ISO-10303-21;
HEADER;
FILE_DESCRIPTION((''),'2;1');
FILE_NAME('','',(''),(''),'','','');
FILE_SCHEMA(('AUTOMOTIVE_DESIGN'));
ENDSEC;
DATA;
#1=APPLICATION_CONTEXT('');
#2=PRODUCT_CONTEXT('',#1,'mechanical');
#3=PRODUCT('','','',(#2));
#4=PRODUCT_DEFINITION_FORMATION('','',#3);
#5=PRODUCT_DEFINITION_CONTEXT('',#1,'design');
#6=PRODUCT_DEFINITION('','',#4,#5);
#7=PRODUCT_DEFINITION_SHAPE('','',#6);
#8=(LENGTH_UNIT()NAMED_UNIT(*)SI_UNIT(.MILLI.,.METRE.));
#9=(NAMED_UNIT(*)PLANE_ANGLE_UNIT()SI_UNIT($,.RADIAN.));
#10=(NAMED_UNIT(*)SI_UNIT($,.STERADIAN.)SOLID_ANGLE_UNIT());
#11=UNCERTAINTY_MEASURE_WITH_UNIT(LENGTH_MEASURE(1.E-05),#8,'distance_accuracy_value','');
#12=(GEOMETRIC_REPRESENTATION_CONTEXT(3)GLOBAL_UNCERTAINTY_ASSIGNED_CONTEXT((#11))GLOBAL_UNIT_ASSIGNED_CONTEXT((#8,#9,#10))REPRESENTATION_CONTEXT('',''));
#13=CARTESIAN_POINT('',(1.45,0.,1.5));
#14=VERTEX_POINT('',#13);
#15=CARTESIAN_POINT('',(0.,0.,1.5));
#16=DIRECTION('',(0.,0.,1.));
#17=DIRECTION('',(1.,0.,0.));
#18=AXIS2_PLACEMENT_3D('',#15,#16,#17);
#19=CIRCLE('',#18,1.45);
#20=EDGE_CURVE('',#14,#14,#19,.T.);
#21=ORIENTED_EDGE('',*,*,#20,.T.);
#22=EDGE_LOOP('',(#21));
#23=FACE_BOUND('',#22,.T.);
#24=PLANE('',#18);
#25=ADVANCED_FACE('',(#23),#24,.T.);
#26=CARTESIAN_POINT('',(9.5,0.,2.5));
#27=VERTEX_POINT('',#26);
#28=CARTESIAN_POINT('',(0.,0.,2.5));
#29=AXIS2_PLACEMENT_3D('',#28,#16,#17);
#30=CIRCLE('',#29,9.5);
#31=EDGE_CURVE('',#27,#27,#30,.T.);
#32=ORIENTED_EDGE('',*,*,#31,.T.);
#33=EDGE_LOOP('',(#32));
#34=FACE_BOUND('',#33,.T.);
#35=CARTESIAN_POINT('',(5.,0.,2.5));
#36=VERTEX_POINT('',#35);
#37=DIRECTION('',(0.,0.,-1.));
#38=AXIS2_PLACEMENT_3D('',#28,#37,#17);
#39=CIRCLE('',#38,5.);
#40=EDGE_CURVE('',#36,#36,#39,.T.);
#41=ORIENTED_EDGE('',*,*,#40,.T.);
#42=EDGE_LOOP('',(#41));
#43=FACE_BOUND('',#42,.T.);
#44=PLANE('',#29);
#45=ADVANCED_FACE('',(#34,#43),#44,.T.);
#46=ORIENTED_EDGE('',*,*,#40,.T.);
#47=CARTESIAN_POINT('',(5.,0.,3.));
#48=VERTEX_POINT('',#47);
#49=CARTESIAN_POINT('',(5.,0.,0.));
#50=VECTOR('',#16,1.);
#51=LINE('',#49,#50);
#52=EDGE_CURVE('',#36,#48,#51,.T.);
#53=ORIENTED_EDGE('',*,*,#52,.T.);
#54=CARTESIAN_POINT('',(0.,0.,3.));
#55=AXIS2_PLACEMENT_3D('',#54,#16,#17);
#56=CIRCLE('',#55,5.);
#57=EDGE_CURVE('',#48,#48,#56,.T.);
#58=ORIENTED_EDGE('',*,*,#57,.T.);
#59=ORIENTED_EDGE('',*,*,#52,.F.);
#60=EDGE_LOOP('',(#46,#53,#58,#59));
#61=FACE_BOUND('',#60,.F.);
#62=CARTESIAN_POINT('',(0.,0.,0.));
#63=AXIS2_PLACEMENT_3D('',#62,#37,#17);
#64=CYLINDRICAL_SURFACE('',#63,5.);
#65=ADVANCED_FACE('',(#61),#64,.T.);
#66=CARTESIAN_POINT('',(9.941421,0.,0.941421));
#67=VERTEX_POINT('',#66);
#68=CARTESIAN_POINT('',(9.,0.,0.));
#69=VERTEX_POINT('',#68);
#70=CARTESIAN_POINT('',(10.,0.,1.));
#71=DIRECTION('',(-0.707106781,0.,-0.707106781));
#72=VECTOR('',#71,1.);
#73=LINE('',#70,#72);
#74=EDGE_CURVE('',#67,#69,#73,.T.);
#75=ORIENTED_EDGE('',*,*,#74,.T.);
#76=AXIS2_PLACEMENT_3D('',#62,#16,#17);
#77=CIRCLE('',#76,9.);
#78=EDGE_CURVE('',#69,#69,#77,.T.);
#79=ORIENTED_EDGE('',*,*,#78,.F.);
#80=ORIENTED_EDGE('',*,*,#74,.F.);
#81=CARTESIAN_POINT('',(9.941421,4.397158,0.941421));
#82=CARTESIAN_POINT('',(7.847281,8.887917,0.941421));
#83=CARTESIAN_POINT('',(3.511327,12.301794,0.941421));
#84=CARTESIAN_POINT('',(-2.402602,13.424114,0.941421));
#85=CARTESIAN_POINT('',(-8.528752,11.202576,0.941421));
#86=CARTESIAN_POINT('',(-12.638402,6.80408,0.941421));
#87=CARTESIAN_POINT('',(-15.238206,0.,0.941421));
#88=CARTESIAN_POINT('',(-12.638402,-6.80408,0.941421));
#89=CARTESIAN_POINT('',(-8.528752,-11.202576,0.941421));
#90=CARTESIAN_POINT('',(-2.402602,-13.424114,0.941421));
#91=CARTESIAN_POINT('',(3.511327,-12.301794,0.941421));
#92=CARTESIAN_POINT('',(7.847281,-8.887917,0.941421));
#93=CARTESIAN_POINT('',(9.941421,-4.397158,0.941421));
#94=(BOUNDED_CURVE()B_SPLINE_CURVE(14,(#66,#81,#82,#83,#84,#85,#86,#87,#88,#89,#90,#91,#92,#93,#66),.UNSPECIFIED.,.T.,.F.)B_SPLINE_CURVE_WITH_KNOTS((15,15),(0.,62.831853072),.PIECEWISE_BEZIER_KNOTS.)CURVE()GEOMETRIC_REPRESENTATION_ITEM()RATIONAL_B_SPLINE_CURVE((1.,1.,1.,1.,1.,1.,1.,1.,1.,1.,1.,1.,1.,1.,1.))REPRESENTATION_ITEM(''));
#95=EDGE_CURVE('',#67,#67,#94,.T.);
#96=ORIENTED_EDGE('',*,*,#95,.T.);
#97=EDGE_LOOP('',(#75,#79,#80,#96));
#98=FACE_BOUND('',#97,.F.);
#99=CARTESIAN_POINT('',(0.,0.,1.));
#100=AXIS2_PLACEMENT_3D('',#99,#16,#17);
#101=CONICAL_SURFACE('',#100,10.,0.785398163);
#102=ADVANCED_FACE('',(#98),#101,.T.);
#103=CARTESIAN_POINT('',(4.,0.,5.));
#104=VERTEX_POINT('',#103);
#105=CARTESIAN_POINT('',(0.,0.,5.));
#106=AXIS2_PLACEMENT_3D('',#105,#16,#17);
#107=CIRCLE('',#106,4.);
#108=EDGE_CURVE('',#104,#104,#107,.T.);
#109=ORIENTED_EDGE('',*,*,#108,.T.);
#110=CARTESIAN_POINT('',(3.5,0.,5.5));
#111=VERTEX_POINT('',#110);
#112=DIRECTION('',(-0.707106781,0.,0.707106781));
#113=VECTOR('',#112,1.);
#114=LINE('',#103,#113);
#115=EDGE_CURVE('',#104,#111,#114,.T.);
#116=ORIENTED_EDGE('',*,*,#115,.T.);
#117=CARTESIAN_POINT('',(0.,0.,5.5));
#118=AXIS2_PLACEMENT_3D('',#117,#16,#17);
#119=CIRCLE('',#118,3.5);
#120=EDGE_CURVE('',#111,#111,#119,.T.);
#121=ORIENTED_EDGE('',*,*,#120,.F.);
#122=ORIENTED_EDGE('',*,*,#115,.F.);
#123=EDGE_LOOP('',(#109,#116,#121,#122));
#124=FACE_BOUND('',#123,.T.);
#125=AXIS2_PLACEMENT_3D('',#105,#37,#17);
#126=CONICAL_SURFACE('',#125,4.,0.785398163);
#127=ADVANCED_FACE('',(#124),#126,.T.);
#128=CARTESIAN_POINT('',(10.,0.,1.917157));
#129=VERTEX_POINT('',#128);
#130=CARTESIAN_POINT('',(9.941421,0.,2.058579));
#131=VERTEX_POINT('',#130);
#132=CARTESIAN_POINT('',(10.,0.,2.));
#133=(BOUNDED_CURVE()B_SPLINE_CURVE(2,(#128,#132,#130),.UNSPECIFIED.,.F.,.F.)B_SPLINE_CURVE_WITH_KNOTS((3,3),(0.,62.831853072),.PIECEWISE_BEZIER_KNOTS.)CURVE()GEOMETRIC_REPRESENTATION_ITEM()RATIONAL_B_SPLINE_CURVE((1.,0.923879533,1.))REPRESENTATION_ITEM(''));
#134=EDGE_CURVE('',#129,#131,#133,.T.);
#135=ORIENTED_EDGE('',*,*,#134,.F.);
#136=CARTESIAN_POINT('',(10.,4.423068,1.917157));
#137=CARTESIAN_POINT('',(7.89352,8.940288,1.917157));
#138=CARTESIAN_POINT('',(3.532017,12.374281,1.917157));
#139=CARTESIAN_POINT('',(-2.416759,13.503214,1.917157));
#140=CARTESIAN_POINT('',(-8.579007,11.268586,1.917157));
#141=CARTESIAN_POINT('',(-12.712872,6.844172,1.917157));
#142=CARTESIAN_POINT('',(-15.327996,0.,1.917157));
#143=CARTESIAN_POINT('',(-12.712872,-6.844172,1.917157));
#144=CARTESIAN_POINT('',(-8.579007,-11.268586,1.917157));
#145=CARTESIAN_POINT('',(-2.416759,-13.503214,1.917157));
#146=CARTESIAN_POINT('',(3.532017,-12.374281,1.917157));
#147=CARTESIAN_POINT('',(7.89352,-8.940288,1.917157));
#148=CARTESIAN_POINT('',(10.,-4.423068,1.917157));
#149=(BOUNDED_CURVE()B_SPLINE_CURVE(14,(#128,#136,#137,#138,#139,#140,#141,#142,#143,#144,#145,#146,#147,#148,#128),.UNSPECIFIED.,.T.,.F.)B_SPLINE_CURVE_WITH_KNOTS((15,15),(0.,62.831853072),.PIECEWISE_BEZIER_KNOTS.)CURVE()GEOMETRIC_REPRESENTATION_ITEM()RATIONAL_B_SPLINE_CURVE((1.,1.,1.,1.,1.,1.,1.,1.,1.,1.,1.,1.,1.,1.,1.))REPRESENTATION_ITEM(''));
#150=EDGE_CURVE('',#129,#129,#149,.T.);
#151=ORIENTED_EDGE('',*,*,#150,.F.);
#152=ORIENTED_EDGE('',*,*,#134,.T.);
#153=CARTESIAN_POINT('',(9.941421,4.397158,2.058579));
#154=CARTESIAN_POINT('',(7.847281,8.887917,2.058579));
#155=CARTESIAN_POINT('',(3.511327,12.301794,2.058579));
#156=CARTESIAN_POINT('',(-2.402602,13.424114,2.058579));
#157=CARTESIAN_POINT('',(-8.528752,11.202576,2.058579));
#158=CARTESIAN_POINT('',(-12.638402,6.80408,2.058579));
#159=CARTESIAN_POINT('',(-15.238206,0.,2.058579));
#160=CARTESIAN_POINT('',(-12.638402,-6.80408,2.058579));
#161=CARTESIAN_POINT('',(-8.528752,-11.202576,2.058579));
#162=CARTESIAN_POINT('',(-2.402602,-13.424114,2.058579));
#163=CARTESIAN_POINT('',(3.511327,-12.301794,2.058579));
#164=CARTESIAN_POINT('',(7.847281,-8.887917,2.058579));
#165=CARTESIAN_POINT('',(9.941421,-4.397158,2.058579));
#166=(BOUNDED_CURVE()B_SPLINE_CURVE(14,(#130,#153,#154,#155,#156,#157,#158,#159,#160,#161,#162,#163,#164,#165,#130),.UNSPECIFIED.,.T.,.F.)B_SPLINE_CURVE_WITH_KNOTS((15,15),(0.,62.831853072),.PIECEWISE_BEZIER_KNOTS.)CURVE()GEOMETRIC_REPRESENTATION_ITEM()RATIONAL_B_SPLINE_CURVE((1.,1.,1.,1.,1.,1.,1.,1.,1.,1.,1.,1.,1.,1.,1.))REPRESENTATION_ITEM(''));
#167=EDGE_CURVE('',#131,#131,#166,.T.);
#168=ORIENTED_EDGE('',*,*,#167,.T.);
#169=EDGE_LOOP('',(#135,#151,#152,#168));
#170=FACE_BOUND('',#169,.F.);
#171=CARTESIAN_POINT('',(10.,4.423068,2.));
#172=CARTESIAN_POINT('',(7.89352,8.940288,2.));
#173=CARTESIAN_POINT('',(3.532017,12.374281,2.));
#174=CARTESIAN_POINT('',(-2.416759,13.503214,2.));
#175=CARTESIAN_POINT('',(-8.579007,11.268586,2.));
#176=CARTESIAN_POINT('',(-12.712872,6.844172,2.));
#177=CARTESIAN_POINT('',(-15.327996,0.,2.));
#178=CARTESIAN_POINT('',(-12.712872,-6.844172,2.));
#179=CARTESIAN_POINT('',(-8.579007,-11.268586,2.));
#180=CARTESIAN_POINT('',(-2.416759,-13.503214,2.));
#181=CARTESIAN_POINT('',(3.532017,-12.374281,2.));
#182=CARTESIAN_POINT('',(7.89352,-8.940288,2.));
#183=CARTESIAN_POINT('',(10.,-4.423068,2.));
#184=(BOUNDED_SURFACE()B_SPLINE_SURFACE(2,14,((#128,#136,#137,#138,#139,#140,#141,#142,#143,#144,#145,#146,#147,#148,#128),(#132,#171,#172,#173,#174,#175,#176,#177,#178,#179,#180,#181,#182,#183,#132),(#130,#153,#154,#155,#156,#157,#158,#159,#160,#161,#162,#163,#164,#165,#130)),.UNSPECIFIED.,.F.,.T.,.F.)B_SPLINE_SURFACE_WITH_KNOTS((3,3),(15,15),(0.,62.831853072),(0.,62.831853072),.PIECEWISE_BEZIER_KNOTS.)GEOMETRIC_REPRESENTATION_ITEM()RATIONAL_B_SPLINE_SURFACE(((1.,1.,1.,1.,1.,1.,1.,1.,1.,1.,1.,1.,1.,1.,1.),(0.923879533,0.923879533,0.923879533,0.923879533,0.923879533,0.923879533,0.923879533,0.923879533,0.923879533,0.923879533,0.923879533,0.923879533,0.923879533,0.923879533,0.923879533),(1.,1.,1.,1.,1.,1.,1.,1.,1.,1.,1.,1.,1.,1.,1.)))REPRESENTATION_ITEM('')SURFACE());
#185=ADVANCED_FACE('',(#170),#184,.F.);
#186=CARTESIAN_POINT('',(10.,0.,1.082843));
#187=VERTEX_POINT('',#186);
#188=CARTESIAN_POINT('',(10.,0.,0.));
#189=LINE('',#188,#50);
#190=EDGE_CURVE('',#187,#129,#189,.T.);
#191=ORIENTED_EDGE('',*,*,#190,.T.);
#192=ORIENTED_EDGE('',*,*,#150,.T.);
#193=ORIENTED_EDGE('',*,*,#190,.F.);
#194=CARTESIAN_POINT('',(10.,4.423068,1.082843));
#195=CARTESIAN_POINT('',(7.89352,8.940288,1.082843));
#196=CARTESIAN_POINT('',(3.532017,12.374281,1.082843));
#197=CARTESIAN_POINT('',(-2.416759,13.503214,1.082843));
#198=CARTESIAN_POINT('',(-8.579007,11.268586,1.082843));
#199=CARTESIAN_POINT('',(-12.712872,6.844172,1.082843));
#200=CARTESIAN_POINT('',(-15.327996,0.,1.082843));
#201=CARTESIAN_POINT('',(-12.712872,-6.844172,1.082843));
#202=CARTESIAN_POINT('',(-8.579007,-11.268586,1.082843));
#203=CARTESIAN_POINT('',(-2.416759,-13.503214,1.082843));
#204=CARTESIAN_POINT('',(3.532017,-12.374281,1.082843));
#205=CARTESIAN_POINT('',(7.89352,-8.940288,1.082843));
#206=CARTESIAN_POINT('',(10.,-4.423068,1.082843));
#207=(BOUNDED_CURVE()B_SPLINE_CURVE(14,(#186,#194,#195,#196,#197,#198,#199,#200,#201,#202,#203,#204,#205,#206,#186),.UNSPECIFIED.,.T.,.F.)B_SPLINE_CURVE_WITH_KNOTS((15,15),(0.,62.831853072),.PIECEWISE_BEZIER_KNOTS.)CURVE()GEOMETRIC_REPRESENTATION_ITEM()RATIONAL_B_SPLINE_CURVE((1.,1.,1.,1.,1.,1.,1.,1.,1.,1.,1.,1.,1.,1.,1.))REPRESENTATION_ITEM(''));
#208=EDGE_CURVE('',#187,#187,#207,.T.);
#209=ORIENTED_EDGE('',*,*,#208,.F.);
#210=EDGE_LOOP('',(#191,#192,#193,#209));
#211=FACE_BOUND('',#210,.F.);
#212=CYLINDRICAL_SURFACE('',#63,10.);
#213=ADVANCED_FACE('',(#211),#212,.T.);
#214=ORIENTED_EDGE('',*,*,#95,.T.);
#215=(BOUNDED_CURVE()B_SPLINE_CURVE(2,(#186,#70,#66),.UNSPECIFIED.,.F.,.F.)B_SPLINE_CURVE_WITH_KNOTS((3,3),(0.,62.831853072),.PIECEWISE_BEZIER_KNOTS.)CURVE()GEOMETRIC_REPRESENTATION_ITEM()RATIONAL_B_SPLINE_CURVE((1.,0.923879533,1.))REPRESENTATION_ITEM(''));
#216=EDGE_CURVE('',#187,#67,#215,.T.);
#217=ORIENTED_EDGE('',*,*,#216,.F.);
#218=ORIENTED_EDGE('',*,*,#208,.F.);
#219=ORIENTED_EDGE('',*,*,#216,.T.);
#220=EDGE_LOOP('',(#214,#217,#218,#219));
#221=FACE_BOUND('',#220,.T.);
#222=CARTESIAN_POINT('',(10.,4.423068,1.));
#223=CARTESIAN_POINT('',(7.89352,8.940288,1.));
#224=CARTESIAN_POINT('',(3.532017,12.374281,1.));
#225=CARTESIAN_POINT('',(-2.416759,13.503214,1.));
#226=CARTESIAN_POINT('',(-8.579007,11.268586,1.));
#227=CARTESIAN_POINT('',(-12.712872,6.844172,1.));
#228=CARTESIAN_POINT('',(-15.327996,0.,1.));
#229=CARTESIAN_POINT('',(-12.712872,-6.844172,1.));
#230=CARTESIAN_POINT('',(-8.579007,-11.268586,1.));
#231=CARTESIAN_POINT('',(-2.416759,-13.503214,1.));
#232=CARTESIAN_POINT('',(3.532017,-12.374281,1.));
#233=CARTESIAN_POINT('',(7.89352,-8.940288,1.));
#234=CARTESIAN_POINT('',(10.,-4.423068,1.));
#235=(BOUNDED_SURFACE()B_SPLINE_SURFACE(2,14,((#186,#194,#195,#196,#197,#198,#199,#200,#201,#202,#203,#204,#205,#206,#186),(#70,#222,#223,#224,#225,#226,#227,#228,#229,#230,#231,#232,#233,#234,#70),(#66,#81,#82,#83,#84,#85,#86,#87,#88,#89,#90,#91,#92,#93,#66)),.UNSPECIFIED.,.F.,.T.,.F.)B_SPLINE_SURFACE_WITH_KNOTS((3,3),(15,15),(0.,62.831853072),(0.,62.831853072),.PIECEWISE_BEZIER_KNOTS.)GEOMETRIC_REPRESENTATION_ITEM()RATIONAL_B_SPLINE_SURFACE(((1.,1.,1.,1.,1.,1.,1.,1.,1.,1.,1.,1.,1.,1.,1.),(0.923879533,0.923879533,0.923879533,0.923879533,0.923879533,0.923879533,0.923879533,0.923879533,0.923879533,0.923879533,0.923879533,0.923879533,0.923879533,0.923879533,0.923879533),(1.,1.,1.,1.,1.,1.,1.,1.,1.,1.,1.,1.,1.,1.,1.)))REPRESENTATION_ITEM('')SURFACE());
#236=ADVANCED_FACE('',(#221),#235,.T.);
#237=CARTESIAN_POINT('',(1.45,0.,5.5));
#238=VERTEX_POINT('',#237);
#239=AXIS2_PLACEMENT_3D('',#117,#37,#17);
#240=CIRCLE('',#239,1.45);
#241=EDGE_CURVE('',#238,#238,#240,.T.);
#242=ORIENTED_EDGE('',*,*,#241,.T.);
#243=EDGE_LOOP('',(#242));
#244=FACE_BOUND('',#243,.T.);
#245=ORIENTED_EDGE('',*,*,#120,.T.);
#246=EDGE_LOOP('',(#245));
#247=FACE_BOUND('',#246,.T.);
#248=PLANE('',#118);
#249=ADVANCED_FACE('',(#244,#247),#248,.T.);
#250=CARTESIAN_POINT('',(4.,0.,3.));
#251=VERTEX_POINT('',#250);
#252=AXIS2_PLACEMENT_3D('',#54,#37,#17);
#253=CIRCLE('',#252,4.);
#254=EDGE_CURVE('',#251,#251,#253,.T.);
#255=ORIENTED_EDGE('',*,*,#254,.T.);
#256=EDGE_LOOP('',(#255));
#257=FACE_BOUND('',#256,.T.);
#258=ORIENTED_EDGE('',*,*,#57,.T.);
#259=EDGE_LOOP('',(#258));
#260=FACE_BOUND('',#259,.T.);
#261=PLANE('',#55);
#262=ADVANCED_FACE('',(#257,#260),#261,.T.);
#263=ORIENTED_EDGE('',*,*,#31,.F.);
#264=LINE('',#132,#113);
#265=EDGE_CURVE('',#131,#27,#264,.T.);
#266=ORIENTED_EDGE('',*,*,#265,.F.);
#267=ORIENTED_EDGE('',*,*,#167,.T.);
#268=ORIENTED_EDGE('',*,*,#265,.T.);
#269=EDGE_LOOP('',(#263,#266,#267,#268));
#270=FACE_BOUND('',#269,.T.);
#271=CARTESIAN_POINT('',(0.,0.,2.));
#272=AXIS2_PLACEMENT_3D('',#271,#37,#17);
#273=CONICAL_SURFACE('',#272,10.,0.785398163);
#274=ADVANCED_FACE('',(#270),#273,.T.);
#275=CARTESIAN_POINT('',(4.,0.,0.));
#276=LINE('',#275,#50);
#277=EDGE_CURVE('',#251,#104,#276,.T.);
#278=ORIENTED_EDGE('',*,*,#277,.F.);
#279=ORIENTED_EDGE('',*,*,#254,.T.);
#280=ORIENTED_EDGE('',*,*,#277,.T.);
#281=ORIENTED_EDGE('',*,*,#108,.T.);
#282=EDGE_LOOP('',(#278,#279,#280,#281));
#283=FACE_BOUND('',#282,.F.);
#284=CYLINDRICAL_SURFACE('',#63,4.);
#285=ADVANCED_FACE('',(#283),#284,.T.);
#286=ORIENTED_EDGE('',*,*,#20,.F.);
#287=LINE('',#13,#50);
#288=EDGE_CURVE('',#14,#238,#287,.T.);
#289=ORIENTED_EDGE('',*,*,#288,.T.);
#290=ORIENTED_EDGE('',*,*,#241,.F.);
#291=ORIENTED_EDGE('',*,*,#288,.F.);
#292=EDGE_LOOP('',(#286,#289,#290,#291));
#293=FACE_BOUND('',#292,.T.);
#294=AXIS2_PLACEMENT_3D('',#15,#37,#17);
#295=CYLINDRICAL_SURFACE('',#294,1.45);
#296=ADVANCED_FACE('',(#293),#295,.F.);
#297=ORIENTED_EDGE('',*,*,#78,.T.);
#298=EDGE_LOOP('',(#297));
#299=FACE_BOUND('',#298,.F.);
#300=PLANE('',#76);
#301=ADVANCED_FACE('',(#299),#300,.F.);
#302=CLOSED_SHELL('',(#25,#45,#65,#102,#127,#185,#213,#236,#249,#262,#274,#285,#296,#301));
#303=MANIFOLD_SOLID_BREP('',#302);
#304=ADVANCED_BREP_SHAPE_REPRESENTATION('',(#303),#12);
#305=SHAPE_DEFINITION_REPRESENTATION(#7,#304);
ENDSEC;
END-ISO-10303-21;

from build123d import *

# Parameters (mm, degrees)
F0_R      = 4
F1_DEPTH  = 5.5
F2_R      = 5
F3_DEPTH  = 3
F4_R      = 10
F5_DEPTH  = 2.5
F6_SIZE   = 1
F7_SIZE   = 0.5
F8_R      = 0.2
F9_SIZE   = 0.5
F12_START = 1.5
F11_R     = 1.45
F12_DEPTH = 10.1


with BuildPart() as f1:
    # F0 (on Top) → F1 (new body)
    with BuildSketch(Plane.XY):
        Circle(F0_R)
    extrude(amount=F1_DEPTH)

    # F2 (on Top) → F3 (join)
    with BuildSketch(Plane.XY):
        Circle(F2_R)
    extrude(amount=F3_DEPTH)

    # F4 (on Top) → F5 (join)
    with BuildSketch(Plane.XY):
        Circle(F4_R)
    extrude(amount=F5_DEPTH)

    # F6
    f6_edges = [f1.edges().sort_by_distance(p)[0] for p in [
        (-10, 0, 0),
    ]]
    chamfer(f6_edges, length=F6_SIZE)

    # F7
    f7_edges = [f1.edges().sort_by_distance(p)[0] for p in [
        (-10, 0, 2.5),
    ]]
    chamfer(f7_edges, length=F7_SIZE)

    # F8
    f8_edges = [f1.edges().sort_by_distance(p)[0] for p in [
        (-10, 0, 1),
        (-10, 0, 2),
    ]]
    fillet(f8_edges, radius=F8_R)

    # F9
    f9_edges = [f1.edges().sort_by_distance(p)[0] for p in [
        (-4, 0, 5.5),
    ]]
    chamfer(f9_edges, length=F9_SIZE)


with BuildPart() as f10_1:
    # F10: copy of F1
    add(f1.part.moved(Location((-25, 0, 0))))


with BuildPart() as f1_1:
    add(f1.part)

    # F11 (on Top) → F12 (cut)
    with BuildSketch(Plane.XY.offset(F12_START)):
        Circle(F11_R)
    extrude(amount=F12_DEPTH, mode=Mode.SUBTRACT)


with BuildPart() as f14_1:
    # F14: copy of F1
    add(f1_1.part.moved(Location((-23.4, 0, 0))))


solid = f1_1.part
